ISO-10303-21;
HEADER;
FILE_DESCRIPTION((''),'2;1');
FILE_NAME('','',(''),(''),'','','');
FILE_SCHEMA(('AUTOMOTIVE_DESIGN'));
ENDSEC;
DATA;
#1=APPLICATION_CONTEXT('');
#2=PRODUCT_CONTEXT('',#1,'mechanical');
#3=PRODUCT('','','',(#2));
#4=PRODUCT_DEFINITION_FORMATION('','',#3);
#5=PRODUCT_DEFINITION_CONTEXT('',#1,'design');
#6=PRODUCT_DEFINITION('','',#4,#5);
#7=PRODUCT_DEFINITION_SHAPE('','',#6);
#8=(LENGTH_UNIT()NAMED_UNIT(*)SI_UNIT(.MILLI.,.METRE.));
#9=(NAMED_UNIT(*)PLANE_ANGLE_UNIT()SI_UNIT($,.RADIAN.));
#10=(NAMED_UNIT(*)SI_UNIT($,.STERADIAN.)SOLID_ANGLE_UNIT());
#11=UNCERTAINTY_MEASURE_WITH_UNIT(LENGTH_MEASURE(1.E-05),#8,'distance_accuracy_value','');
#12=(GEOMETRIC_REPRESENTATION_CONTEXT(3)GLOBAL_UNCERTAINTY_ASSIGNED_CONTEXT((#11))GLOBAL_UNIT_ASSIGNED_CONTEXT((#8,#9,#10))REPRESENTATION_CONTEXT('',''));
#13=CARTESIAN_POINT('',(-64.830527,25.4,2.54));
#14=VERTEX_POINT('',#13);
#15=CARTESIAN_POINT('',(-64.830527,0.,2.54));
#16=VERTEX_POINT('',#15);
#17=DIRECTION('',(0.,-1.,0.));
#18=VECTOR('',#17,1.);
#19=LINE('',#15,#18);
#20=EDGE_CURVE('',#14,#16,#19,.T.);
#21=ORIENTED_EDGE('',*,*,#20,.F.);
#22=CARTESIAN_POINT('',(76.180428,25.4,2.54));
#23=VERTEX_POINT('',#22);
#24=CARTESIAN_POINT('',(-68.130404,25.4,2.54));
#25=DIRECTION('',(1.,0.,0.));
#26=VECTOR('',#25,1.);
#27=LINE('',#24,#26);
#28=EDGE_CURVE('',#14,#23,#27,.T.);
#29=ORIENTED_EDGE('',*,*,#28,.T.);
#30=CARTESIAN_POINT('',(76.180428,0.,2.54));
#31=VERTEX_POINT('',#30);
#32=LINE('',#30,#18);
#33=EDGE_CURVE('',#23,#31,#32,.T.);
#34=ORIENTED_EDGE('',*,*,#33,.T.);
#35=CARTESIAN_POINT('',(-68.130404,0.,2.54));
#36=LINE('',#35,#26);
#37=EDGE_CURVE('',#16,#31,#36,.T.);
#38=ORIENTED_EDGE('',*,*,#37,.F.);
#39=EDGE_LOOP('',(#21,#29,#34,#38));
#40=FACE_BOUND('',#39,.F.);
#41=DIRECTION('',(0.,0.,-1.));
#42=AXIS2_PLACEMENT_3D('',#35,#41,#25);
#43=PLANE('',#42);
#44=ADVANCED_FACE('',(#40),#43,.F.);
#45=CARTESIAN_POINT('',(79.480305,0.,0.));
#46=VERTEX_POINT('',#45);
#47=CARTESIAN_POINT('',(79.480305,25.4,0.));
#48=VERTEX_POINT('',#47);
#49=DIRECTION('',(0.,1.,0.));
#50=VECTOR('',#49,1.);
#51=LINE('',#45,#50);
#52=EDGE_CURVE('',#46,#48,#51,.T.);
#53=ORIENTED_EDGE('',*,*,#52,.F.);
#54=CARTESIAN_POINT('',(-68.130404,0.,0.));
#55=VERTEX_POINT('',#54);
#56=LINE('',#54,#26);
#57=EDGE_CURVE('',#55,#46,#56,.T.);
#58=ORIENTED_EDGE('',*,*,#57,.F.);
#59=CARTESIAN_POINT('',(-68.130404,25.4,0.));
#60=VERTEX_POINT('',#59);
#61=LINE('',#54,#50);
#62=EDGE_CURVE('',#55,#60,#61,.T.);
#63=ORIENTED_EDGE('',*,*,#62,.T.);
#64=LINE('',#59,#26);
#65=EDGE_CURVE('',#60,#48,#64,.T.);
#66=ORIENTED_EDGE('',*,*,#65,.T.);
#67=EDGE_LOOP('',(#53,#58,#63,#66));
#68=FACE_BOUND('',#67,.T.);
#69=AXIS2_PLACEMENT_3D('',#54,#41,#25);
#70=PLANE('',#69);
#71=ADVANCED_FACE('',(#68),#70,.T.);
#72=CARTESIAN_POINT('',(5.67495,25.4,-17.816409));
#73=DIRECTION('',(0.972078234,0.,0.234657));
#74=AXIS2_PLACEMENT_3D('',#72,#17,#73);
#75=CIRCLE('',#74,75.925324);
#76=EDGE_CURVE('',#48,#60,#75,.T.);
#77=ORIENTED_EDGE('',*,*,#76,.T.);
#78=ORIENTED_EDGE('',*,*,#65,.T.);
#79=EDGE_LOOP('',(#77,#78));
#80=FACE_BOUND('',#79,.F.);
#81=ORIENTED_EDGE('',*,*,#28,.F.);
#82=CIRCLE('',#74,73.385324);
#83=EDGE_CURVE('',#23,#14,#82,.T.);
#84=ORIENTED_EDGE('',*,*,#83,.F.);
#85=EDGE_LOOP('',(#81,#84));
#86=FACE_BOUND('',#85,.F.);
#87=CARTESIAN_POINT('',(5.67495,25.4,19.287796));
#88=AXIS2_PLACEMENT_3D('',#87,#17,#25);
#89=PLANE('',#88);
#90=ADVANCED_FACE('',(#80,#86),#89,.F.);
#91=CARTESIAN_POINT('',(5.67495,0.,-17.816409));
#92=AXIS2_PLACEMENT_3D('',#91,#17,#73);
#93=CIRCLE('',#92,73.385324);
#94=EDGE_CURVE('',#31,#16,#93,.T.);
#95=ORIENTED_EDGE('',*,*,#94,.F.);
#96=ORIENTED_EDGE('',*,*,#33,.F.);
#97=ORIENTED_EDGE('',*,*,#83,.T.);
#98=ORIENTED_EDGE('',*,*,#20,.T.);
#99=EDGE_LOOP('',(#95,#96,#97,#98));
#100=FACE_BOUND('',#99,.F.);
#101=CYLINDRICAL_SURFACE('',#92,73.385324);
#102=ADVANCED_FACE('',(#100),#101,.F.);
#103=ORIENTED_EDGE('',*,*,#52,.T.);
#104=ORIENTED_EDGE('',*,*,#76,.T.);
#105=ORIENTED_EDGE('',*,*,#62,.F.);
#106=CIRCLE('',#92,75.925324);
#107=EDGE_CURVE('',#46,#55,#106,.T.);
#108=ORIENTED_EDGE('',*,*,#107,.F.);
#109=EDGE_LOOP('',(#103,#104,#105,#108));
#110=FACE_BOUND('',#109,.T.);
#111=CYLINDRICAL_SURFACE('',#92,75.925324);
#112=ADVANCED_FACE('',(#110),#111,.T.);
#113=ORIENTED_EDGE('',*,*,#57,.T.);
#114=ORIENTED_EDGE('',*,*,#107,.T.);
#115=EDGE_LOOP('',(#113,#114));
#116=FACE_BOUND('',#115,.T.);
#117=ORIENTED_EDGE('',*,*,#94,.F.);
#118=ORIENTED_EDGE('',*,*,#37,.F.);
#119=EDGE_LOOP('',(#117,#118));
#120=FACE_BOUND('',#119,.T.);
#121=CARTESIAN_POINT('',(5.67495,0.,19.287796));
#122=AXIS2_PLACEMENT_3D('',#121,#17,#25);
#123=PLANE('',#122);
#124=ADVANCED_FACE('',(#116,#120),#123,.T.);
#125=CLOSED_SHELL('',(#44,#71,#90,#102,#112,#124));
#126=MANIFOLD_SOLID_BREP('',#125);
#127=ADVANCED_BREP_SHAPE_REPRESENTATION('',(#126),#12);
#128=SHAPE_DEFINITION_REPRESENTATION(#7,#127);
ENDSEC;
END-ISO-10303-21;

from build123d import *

# Parameters (mm, degrees)
F0_DEPTH = 25.4
F2_T     = -2.54


with BuildPart() as f0:
    # F1 (on Front) → F0 (new body)
    with BuildSketch(Plane.XZ):
        with BuildLine():
            Line((-68.130404, 0), (79.480305, 0))
            ThreePointArc((79.480305, 0), (5.674951, 58.108915), (-68.130404, 0))
        make_face()
    extrude(amount=-F0_DEPTH)

    # F2
    f2_openings = [f0.faces().sort_by_distance(p)[0] for p in [
        (5.674951, 25.4, 24.2284),
        (5.674951, 0, 24.2284),
    ]]
    offset(amount=F2_T, openings=f2_openings)


solid = f0.part
